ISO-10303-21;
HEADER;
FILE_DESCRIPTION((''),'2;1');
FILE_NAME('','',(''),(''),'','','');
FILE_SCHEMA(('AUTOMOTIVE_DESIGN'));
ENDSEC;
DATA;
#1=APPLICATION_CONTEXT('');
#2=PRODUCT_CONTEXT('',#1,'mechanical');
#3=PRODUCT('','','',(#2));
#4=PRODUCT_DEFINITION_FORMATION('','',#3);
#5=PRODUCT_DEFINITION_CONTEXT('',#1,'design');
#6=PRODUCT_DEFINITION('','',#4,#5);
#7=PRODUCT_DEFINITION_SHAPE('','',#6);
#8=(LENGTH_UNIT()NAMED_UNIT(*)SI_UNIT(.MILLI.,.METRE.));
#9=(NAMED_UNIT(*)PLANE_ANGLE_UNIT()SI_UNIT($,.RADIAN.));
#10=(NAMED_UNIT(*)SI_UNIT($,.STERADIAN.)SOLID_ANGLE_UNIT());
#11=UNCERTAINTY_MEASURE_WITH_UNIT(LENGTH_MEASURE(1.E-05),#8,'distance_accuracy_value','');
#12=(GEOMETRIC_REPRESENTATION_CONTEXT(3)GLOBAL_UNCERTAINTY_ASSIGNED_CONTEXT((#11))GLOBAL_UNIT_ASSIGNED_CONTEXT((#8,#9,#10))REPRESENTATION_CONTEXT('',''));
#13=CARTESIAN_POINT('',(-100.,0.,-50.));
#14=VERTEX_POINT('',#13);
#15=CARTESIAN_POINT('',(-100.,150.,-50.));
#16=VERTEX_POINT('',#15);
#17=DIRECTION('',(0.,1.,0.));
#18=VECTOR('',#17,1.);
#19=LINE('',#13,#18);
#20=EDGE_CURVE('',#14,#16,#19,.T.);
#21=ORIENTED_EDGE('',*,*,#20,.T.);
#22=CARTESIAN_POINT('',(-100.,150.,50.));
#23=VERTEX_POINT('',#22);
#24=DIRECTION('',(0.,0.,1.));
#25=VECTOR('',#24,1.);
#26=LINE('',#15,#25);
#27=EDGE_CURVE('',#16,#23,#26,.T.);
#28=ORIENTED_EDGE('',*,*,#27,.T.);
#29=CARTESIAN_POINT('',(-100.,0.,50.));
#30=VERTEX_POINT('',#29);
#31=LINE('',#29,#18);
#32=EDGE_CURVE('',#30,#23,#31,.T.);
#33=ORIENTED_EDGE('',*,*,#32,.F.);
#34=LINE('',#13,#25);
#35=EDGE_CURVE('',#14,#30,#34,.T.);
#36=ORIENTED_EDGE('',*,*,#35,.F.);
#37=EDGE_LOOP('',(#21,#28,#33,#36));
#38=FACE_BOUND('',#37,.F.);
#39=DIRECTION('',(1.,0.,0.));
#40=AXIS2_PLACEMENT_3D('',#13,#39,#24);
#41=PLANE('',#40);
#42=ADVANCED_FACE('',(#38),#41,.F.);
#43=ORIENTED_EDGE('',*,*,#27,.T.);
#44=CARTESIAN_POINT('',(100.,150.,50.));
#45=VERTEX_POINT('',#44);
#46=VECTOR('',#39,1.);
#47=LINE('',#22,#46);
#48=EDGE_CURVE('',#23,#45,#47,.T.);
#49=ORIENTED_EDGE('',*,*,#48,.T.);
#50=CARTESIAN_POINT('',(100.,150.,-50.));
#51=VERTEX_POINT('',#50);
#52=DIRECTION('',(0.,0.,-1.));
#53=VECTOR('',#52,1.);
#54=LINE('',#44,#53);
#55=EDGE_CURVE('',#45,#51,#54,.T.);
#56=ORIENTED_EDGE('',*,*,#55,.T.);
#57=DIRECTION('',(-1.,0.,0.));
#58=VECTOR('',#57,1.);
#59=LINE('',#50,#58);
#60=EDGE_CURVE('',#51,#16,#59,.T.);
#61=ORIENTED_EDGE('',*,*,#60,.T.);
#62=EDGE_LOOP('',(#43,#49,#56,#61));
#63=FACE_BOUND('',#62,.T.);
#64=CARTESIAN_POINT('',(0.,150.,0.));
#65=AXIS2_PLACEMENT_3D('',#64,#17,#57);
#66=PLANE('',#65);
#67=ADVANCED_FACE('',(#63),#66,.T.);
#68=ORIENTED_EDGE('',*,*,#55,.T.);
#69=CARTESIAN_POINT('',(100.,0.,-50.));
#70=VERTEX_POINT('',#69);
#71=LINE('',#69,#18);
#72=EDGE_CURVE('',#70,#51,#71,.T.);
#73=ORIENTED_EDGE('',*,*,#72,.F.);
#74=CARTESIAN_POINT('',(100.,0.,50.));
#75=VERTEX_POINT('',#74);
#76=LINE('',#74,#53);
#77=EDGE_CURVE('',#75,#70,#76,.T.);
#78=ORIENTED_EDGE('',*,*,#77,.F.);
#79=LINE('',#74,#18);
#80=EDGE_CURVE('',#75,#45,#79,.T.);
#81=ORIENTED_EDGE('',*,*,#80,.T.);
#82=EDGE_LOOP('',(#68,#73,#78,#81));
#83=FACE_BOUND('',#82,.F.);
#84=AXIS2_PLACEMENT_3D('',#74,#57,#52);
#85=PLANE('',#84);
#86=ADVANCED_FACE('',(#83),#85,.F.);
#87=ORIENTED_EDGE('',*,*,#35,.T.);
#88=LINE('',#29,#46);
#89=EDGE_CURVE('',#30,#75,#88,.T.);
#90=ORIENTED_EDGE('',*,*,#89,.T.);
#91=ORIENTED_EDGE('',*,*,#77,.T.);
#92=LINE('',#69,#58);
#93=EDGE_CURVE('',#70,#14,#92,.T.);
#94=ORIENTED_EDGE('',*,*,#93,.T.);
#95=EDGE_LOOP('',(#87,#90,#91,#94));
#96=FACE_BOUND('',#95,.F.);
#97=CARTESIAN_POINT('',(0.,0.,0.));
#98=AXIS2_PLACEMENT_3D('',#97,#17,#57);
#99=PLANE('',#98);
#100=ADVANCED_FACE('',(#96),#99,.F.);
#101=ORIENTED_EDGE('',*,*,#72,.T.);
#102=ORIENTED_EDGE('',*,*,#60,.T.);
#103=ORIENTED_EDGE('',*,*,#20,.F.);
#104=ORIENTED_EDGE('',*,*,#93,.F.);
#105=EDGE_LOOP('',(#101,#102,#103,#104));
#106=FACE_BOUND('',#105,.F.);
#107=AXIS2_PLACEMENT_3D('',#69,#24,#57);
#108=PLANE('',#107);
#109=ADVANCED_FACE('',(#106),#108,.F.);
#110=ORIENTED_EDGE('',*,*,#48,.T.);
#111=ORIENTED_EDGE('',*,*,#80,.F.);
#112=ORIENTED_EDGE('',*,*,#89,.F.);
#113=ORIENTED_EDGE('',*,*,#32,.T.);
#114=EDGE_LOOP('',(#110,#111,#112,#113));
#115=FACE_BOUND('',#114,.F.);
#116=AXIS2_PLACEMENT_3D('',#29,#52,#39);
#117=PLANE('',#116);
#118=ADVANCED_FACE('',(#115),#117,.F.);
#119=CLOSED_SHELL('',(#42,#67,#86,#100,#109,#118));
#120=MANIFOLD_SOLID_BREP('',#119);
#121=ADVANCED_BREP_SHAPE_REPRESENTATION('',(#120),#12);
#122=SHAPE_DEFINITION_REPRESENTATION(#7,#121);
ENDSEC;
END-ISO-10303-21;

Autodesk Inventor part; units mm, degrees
ref_plane "YZ Plane" through (0, 0, 0) normal (1, 0, 0) x (0, 1, 0)
ref_plane "XZ Plane" through (0, 0, 0) normal (0, 1, 0) x (-1, 0, 0)
ref_plane "XY Plane" through (0, 0, 0) normal (0, 0, 1) x (1, 0, 0)
sketch "Sketch1" plane through (0, 0, 0) normal (0, 1, 0) x (-1, 0, 0)
  line L0 (100, 50) -> (-100, 50)
  line L1 (-100, 50) -> (-100, -50)
  line L2 (-100, -50) -> (100, -50)
  line L3 (100, -50) -> (100, 50)
  point P0 (0, 0)
  point P1 (0, -50)
  point P2 (100, 0)
  dimension "d0" = 200
  dimension "d1" = 100
extrude "Extrusion1" add sketch "Sketch1" along normal blind 150
properties part number "batterij"
